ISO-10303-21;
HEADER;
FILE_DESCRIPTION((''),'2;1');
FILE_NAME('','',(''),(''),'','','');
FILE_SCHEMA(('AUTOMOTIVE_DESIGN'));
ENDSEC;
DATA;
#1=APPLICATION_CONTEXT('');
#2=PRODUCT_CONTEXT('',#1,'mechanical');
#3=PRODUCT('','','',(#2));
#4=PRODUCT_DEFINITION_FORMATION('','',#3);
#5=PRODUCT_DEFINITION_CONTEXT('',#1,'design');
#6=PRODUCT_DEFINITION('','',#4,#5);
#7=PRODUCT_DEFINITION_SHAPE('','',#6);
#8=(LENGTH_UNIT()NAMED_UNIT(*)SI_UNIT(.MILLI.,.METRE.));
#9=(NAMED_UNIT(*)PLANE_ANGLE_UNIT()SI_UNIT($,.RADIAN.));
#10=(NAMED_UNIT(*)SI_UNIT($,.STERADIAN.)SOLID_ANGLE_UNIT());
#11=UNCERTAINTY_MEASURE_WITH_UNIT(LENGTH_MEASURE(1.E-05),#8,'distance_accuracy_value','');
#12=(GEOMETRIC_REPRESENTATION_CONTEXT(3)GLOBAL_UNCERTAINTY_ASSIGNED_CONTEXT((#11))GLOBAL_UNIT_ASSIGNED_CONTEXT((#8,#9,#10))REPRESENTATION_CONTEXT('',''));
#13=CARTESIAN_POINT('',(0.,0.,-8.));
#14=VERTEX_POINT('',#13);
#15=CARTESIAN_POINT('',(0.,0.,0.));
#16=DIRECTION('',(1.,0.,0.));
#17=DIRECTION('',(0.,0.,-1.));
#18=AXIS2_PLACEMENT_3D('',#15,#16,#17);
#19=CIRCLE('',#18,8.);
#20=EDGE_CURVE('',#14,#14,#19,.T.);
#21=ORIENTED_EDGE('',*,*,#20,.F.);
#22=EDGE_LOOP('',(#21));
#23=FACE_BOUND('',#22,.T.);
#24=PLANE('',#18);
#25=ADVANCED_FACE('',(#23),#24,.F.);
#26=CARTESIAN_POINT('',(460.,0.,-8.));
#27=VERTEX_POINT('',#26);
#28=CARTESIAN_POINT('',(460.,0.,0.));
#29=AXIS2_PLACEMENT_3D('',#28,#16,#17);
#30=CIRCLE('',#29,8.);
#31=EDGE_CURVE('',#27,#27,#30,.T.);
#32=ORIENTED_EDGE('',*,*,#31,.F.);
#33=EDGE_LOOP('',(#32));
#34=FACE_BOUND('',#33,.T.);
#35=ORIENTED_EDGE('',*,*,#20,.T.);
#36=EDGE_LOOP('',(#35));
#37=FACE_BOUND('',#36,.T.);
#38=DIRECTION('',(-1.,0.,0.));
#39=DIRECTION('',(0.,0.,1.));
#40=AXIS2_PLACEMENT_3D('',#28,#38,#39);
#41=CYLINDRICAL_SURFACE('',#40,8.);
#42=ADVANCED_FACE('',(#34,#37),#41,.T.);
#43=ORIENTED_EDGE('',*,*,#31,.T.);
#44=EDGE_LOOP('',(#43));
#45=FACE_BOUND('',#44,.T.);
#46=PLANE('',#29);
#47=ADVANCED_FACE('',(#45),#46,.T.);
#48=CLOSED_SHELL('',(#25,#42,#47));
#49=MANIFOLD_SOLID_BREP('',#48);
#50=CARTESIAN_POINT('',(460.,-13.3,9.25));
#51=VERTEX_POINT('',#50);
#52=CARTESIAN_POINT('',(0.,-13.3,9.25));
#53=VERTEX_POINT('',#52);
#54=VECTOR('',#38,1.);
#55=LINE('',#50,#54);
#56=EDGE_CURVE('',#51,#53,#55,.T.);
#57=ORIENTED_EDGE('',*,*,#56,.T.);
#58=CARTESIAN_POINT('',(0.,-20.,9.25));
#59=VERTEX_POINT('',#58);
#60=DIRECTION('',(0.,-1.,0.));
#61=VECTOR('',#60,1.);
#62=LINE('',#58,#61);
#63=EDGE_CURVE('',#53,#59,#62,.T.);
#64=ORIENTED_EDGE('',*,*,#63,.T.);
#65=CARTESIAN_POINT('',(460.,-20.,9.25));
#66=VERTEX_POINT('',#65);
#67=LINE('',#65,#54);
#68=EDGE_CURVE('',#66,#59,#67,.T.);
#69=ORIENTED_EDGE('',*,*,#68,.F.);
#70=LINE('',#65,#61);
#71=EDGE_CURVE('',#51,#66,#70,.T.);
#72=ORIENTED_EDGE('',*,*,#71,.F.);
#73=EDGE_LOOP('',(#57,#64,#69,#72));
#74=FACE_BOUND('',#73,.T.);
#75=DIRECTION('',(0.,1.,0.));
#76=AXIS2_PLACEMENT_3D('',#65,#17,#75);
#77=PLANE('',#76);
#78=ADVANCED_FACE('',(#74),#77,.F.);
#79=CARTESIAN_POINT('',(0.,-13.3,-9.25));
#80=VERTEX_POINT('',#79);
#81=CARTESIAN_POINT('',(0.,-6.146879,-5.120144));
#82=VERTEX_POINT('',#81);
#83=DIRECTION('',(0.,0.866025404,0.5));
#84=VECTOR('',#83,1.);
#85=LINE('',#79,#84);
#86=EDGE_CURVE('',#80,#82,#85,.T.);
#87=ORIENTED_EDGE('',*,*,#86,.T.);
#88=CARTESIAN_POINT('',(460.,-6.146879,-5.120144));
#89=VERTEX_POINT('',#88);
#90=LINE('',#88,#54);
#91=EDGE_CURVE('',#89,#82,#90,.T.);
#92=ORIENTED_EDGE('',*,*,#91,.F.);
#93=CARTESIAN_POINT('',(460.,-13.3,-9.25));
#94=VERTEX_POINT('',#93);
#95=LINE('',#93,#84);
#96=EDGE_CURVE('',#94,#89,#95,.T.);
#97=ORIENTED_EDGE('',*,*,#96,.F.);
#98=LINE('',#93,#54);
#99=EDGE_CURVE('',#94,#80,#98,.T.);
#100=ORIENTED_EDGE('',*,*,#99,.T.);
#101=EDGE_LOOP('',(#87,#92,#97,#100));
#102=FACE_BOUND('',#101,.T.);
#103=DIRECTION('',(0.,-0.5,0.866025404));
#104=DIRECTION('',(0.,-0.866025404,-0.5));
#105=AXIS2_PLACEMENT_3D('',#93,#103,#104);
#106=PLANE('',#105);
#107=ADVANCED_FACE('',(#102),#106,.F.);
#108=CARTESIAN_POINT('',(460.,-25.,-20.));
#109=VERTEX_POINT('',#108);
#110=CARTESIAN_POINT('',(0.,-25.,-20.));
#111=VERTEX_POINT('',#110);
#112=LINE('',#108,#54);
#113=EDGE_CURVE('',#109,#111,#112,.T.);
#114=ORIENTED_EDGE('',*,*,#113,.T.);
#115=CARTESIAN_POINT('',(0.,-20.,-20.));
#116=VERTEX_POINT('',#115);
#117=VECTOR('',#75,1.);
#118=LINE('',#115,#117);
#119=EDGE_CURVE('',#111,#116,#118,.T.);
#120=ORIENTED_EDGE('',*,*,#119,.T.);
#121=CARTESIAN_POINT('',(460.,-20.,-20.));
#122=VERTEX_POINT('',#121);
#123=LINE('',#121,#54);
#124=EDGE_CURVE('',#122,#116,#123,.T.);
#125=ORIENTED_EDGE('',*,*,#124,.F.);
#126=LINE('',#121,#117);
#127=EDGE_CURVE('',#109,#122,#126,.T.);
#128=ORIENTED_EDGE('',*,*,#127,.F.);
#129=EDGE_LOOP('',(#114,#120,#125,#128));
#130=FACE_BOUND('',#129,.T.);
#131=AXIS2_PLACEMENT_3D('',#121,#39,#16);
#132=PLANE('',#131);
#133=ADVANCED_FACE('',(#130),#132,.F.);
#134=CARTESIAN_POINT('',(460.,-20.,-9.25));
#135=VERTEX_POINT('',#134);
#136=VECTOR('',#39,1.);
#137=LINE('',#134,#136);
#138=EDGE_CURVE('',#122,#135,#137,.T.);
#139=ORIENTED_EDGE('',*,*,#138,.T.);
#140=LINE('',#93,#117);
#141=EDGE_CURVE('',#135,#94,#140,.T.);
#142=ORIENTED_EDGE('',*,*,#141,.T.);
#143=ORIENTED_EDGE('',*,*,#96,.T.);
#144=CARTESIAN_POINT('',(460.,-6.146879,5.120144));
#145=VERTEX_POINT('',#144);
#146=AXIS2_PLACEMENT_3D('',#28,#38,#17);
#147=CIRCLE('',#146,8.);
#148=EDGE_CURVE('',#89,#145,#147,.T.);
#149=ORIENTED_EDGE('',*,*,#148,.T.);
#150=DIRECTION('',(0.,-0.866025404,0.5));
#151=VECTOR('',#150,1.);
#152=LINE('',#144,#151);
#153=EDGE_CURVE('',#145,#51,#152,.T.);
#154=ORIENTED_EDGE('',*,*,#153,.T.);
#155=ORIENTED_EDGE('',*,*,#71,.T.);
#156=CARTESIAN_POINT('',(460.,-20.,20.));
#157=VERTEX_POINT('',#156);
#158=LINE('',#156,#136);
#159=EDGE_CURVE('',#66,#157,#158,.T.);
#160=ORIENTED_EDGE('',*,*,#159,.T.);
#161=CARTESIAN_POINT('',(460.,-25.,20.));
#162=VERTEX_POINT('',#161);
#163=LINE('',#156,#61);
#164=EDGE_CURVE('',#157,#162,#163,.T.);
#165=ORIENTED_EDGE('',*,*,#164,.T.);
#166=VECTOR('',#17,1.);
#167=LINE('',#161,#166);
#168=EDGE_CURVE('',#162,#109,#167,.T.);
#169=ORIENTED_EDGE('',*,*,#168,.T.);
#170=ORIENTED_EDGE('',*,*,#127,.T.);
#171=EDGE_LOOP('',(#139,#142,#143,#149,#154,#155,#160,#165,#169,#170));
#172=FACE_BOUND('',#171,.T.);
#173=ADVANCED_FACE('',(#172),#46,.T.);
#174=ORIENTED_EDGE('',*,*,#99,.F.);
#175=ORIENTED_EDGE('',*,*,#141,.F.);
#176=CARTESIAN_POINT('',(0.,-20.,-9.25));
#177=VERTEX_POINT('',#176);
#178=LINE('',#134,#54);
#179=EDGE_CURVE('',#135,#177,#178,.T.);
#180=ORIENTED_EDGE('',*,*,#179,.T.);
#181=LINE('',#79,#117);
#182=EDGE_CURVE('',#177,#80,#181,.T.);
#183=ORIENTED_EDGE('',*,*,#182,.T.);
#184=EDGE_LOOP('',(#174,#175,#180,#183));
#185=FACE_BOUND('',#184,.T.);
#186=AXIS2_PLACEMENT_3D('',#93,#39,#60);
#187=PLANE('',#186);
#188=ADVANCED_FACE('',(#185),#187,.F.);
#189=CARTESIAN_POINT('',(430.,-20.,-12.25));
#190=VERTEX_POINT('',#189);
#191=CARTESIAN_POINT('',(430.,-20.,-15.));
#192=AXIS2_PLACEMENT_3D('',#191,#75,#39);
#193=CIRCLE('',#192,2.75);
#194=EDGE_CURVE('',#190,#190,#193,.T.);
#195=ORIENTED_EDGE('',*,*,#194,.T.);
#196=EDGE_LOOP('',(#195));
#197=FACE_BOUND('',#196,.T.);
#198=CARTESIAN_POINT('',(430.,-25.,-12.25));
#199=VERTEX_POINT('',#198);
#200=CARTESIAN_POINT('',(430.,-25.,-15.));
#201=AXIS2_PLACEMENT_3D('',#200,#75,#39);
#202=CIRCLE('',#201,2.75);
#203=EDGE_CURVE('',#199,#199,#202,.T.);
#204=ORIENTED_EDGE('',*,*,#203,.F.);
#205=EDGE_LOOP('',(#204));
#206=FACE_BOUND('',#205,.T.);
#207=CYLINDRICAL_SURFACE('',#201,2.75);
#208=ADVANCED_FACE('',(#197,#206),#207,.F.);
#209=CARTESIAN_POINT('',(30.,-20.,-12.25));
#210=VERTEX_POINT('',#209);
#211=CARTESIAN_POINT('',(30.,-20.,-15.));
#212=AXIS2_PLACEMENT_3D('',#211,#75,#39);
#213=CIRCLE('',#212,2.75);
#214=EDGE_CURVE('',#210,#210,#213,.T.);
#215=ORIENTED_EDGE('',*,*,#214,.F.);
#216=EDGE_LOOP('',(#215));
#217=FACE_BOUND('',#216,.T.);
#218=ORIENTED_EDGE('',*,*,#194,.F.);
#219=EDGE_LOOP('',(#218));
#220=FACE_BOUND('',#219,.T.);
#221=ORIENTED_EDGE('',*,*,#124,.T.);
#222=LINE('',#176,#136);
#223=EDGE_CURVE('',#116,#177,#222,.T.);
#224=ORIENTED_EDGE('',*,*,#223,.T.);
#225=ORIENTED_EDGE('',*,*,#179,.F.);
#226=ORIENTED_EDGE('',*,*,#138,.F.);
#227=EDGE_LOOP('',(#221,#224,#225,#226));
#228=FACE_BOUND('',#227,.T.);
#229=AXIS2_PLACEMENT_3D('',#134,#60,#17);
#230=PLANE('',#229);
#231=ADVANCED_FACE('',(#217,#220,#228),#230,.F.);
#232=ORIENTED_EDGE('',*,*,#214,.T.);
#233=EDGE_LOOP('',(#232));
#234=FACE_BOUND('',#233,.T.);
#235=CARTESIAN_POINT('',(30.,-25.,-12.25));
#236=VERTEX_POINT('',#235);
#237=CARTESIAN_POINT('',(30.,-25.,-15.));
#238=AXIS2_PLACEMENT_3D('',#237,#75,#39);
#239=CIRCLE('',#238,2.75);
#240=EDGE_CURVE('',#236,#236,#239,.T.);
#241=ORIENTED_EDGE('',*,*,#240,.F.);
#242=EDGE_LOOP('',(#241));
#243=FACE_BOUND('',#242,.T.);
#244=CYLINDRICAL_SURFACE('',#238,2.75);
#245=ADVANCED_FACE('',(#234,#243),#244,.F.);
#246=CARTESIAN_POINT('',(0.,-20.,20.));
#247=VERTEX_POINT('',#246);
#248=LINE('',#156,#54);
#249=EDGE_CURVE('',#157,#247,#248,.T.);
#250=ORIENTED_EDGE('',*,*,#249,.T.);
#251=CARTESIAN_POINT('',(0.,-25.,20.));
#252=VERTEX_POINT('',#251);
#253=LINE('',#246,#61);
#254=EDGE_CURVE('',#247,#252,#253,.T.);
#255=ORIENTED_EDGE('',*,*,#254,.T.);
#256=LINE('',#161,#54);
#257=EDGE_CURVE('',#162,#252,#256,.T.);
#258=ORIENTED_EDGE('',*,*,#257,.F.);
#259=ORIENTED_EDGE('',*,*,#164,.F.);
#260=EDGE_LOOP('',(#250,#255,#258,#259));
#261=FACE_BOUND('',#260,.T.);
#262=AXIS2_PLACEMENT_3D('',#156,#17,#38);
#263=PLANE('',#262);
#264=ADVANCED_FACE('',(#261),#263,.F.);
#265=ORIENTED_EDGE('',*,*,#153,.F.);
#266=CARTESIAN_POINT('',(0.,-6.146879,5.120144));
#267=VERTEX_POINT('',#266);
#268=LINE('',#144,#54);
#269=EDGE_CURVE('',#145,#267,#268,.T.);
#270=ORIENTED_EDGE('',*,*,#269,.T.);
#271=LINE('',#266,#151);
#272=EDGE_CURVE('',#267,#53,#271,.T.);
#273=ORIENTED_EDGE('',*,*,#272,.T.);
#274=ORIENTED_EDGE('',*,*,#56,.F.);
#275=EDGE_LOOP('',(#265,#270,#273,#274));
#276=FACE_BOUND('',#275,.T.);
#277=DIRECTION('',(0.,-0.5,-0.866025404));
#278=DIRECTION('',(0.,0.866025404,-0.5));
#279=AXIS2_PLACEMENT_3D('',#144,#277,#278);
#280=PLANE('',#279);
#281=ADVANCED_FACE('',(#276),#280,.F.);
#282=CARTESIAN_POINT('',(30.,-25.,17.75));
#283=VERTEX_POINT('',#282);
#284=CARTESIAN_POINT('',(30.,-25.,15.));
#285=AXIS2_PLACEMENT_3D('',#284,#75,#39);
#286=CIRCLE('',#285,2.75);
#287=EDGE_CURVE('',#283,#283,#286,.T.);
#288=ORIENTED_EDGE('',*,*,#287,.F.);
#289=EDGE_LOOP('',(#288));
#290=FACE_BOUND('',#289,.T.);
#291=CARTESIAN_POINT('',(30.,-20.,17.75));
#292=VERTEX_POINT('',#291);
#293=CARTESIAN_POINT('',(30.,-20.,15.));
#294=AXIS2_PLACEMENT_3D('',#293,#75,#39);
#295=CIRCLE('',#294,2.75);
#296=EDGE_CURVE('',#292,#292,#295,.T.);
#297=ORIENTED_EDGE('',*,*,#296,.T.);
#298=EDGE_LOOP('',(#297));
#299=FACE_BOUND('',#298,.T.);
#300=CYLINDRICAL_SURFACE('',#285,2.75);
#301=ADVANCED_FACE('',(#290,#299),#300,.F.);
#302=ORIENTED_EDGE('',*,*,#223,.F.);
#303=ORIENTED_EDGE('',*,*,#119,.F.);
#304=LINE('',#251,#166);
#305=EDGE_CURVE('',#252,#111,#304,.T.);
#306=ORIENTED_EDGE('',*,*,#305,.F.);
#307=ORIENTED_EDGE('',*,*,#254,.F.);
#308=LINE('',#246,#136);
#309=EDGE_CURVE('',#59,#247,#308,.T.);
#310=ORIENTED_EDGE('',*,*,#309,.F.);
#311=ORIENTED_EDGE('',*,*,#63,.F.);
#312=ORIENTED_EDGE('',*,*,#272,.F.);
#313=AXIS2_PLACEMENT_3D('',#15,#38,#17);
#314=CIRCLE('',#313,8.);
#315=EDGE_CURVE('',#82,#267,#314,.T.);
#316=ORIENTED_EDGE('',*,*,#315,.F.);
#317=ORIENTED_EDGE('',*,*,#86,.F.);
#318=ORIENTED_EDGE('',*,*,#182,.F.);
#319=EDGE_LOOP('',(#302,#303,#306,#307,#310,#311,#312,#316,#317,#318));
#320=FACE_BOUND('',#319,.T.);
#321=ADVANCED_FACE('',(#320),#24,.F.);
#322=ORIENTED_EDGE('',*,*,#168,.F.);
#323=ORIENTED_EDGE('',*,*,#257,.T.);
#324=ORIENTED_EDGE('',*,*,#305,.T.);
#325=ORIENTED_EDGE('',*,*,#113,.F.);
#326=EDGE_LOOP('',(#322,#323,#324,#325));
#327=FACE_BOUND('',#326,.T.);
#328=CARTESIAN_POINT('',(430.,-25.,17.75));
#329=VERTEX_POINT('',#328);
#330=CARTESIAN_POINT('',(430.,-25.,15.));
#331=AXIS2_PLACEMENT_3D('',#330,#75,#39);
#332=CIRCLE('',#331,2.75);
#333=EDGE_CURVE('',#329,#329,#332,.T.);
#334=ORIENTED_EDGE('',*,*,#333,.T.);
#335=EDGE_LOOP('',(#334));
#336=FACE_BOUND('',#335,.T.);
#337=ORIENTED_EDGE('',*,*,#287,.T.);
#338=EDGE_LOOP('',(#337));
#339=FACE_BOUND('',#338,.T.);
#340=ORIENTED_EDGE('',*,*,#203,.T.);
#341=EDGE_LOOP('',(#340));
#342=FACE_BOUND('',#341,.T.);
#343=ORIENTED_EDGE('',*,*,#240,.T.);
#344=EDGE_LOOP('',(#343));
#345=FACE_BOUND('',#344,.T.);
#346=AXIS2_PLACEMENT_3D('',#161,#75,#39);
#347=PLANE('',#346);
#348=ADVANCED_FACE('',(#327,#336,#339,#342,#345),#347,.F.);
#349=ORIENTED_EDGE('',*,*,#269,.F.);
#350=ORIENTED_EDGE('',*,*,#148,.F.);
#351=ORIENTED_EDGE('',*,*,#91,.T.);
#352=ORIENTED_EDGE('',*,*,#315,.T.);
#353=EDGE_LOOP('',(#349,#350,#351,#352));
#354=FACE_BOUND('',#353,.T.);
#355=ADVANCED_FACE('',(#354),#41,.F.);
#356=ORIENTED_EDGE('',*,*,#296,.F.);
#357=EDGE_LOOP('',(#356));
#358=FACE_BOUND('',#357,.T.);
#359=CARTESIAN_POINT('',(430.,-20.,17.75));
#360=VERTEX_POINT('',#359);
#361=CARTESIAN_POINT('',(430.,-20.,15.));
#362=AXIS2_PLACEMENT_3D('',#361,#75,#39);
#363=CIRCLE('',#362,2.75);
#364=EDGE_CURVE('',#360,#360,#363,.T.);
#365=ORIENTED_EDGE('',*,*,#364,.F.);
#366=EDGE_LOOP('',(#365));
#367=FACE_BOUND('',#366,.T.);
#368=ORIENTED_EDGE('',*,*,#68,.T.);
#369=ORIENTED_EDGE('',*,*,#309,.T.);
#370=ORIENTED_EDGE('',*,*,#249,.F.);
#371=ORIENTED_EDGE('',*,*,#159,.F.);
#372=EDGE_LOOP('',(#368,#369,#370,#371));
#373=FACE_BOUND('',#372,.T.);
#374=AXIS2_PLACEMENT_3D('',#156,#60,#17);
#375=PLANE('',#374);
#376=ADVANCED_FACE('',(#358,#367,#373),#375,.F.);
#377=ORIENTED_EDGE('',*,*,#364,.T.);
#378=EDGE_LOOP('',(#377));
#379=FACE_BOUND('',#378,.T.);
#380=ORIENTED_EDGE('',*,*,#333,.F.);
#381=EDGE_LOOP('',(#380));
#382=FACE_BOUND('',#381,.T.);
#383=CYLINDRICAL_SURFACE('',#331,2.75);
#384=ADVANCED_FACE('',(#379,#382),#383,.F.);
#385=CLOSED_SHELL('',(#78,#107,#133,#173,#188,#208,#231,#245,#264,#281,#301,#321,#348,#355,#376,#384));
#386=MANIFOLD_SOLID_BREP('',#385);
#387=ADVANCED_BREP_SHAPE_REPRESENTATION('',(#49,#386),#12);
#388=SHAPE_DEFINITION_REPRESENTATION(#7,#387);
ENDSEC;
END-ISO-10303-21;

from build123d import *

# Parameters (mm, degrees)
SKETCH_3_R             = 8
EXTRUDE_341_DEPTH      = 460
EXTRUDE_741_DEPTH      = 460
SKETCH_5_R             = 2.75
CUT_EXTRUDE_1021_DEPTH = 462.285161261


with BuildPart() as part:
    # Эскиз3 → Extrude 341 (new body)
    with BuildSketch(Plane(origin=(0, 0, 0), x_dir=(0, 0, -1), z_dir=(1, 0, 0))):
        Circle(SKETCH_3_R)
    extrude(amount=EXTRUDE_341_DEPTH)


with BuildPart() as body_2:
    # Эскиз4 → Extrude 741 (new body)
    with BuildSketch(Plane(origin=(0, 0, 0), x_dir=(0, 0, -1), z_dir=(1, 0, 0))):
        with BuildLine():
            Line((-9.25, -20), (-9.25, -13.3))
            Line((-9.25, -13.3), (-5.1201439, -6.146879407))
            ThreePointArc((-5.1201439, -6.146879407), (0, -8), (5.1201439, -6.146879407))
            Line((5.1201439, -6.146879407), (9.25, -13.3))
            Line((9.25, -13.3), (9.25, -20))
            Line((9.25, -20), (20, -20))
            Line((20, -20), (20, -25))
            Line((20, -25), (-20, -25))
            Line((-20, -25), (-20, -20))
            Line((-20, -20), (-9.25, -20))
        make_face()
    extrude(amount=EXTRUDE_741_DEPTH)

    # Эскиз5 → Cut-Extrude 1021 (cut, through all)
    with BuildSketch(Plane(origin=(0, -20, 0), x_dir=(1, 0, 0), z_dir=(0, 1, 0))):
        with Locations((430, 15)):
            Circle(SKETCH_5_R)
        with Locations((430, -15)):
            Circle(SKETCH_5_R)
        with Locations((30, -15)):
            Circle(SKETCH_5_R)
        with Locations((30, 15)):
            Circle(SKETCH_5_R)
    extrude(amount=-CUT_EXTRUDE_1021_DEPTH, mode=Mode.SUBTRACT)


solid = Compound([part.part, body_2.part])
